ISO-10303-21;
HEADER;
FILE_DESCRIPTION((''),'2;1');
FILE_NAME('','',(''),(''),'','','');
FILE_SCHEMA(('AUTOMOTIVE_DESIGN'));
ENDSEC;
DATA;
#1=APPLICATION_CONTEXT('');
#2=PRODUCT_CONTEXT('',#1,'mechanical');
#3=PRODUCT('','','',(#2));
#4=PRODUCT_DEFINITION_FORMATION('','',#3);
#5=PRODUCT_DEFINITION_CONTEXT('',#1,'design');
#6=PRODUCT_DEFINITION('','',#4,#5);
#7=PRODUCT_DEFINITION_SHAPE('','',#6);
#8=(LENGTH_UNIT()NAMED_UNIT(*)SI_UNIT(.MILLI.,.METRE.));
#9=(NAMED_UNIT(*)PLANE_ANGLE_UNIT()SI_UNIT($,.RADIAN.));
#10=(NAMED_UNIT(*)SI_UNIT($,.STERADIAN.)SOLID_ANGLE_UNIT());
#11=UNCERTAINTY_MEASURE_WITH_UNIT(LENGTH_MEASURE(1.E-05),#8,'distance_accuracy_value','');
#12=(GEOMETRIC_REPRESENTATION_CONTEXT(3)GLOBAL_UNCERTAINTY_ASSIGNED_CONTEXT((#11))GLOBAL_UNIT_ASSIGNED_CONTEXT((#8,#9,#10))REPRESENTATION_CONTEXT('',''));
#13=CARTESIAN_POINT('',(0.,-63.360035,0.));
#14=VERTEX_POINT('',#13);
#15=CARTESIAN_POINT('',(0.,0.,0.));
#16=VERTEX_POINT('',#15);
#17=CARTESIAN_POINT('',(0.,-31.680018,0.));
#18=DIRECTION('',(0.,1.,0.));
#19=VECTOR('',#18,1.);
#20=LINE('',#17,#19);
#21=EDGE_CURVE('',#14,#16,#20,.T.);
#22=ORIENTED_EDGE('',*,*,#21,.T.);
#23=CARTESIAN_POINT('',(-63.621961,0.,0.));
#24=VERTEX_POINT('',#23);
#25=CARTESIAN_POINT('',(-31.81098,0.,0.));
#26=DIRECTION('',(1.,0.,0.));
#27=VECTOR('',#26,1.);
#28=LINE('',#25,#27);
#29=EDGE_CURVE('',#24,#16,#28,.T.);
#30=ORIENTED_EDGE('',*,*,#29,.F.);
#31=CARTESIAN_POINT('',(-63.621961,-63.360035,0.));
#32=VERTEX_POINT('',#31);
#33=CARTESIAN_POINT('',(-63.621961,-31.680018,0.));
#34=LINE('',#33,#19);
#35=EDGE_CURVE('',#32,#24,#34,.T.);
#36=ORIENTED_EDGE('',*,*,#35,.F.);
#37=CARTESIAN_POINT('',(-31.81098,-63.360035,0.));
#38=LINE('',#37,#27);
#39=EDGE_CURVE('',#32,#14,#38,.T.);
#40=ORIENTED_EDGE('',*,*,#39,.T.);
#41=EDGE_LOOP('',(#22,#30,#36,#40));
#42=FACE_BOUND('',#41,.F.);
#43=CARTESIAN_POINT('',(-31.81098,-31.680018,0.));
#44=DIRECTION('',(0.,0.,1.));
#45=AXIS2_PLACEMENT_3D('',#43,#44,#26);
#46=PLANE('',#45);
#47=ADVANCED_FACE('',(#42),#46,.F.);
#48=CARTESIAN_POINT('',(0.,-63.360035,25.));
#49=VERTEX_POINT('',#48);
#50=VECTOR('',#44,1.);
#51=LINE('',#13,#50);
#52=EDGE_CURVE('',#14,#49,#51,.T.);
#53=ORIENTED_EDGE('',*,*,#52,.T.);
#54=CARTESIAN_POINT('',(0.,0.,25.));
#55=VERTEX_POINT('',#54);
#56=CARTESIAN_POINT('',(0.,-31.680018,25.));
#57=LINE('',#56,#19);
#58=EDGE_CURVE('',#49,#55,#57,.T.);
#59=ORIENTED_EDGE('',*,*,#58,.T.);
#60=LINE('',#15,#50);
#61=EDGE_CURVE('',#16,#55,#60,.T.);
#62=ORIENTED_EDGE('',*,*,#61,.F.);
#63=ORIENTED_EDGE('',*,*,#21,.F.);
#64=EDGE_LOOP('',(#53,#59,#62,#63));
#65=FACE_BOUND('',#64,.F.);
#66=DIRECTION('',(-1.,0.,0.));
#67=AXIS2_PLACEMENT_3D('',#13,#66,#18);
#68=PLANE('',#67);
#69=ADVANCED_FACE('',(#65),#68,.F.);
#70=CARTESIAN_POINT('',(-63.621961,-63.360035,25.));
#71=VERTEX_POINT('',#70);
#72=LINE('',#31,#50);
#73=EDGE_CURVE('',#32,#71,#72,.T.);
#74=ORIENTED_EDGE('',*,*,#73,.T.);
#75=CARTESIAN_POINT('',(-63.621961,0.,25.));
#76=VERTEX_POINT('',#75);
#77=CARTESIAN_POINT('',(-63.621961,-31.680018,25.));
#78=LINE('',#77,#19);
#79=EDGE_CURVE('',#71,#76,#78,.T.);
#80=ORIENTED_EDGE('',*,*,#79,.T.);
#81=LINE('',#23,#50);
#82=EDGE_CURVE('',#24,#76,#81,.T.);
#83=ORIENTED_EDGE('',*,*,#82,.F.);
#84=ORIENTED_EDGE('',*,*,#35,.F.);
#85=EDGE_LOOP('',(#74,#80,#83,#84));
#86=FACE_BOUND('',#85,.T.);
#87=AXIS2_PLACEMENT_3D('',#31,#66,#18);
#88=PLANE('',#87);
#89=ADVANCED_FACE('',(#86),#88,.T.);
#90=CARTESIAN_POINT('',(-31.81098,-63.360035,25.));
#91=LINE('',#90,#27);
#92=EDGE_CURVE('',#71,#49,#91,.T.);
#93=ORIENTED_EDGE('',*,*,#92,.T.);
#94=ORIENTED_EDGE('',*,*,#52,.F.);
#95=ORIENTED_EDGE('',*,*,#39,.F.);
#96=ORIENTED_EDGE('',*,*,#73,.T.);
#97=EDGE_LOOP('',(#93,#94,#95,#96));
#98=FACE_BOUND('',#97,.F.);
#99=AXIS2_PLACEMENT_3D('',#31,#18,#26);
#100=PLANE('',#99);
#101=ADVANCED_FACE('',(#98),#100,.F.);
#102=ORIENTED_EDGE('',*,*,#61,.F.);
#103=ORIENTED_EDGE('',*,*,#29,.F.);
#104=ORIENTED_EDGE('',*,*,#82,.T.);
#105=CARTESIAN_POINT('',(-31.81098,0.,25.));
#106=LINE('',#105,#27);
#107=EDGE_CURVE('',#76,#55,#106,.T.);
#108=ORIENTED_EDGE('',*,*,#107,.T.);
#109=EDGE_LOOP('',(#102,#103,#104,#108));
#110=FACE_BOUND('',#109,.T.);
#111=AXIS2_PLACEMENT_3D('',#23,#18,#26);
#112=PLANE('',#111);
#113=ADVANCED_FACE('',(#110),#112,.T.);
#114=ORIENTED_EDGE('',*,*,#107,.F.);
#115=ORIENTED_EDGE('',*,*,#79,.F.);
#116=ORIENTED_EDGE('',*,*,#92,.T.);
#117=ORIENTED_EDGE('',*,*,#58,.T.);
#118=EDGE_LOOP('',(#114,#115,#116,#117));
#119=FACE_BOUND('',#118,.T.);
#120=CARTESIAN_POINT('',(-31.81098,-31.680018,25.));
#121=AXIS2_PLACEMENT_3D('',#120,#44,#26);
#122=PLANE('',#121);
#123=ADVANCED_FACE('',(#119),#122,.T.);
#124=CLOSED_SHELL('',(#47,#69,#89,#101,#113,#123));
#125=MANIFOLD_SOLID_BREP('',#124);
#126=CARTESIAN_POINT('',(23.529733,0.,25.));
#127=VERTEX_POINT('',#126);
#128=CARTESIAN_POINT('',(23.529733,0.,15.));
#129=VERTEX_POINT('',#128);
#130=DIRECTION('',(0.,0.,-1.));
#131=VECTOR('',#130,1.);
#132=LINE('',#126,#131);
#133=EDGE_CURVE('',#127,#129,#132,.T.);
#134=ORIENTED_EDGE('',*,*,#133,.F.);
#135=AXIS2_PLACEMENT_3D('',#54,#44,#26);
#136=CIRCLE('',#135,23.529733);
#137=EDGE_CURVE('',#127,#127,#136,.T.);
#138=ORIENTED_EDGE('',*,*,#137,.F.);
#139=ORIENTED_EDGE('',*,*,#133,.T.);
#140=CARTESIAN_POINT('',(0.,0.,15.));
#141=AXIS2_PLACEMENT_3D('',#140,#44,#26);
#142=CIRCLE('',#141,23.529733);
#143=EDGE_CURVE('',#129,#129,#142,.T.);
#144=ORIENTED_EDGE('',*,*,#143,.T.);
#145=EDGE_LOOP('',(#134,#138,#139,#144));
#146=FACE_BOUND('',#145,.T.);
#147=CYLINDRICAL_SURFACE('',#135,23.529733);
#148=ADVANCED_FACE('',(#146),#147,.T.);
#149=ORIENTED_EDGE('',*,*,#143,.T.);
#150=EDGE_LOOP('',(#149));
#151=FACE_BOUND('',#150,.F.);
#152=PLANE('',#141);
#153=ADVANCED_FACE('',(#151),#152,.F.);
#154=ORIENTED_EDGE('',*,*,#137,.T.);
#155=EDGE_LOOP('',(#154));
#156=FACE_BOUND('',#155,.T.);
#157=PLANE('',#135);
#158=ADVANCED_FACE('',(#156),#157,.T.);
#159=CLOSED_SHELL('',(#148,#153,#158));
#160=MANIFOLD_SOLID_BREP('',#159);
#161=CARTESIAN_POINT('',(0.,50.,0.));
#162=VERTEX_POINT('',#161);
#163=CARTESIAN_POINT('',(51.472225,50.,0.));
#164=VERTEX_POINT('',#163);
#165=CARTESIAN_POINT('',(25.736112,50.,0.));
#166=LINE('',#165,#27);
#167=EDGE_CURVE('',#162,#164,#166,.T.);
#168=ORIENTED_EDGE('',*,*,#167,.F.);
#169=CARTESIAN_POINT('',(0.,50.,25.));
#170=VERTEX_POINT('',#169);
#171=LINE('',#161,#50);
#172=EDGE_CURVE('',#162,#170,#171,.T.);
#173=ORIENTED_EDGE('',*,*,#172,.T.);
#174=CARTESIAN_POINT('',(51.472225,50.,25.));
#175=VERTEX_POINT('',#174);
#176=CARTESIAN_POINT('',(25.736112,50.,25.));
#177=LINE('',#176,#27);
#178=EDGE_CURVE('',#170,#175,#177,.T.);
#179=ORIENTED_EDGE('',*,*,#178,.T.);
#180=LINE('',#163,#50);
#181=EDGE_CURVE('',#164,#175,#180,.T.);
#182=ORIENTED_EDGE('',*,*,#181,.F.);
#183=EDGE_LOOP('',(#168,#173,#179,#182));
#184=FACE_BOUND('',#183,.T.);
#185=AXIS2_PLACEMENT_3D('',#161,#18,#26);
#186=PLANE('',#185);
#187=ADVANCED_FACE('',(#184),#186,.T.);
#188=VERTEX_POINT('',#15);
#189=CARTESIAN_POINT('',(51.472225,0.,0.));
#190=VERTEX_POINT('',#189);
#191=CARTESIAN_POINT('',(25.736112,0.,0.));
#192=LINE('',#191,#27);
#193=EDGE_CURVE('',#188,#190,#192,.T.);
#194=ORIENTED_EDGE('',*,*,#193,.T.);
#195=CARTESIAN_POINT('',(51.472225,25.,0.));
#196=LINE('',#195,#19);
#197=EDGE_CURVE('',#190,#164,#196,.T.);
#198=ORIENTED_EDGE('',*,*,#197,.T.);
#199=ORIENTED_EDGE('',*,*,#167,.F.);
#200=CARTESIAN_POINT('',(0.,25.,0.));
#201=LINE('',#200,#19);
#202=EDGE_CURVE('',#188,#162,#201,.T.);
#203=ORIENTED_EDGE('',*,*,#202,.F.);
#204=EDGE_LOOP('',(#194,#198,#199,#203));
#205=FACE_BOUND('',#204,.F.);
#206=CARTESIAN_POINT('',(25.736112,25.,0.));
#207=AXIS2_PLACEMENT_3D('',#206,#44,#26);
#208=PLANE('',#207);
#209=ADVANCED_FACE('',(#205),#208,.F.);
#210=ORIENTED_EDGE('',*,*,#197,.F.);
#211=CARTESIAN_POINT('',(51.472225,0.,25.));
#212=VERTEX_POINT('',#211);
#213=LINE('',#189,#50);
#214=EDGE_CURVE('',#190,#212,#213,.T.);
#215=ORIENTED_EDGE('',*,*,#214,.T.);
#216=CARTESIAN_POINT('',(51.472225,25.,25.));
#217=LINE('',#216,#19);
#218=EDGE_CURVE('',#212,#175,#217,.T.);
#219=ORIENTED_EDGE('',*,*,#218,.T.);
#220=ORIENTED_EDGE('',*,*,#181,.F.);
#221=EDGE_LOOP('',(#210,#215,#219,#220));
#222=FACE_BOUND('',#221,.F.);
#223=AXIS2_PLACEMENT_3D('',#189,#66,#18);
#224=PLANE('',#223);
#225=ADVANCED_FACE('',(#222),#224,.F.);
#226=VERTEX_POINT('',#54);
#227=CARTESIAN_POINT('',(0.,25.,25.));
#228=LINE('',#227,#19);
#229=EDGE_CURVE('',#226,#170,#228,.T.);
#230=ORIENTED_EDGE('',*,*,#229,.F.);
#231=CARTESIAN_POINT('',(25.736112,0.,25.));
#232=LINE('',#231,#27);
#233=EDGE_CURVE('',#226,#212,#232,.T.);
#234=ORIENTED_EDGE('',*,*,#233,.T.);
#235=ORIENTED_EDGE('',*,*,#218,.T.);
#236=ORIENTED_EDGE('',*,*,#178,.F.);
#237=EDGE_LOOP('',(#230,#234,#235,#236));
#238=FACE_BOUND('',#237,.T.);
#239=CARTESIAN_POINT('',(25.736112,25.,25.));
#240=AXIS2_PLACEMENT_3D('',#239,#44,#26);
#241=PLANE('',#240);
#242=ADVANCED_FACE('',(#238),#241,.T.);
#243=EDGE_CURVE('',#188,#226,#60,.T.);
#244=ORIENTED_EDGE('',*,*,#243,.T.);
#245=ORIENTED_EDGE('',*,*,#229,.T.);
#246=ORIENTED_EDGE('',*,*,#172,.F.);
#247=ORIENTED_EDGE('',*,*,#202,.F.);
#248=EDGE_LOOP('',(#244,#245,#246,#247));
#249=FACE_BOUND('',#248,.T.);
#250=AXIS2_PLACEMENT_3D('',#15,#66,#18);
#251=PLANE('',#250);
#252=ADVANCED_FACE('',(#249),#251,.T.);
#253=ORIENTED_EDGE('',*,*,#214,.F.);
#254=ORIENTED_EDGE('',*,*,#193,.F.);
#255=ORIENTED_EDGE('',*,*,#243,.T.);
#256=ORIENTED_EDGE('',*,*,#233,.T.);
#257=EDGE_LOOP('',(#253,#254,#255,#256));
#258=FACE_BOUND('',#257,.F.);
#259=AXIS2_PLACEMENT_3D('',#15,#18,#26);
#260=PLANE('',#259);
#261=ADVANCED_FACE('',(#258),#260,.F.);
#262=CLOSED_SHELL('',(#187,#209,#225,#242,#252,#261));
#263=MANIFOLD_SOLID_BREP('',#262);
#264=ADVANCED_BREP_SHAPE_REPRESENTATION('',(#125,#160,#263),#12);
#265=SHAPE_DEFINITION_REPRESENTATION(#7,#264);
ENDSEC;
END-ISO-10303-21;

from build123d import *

# Parameters (mm, degrees)
F0_W     = 63.6219605803
F0_H     = 63.3600354195
F1_DEPTH = 25
F0_W_2   = 51.4722249205
F0_H_2   = 50
F2_R     = 23.5297325909
F3_DEPTH = 10


with BuildPart() as f1:
    # F0 (on Top) → F1 (new body)
    with BuildSketch(Plane.XY):
        with Locations((-31.8109802902, -31.6800177097)):
            Rectangle(F0_W, F0_H)
    extrude(amount=F1_DEPTH)


with BuildPart() as f1b:
    # F0 (on Top) → F1, piece 2 (new body)
    with BuildSketch(Plane.XY):
        with Locations((25.7361124603, 25)):
            Rectangle(F0_W_2, F0_H_2)
    extrude(amount=F1_DEPTH)


with BuildPart() as f3:
    # F2 (on face) → F3 (new body)
    with BuildSketch(Plane.XY.offset(25)):
        Circle(F2_R)
    extrude(amount=-F3_DEPTH)


solid = Compound([f1.part, f1b.part, f3.part])
